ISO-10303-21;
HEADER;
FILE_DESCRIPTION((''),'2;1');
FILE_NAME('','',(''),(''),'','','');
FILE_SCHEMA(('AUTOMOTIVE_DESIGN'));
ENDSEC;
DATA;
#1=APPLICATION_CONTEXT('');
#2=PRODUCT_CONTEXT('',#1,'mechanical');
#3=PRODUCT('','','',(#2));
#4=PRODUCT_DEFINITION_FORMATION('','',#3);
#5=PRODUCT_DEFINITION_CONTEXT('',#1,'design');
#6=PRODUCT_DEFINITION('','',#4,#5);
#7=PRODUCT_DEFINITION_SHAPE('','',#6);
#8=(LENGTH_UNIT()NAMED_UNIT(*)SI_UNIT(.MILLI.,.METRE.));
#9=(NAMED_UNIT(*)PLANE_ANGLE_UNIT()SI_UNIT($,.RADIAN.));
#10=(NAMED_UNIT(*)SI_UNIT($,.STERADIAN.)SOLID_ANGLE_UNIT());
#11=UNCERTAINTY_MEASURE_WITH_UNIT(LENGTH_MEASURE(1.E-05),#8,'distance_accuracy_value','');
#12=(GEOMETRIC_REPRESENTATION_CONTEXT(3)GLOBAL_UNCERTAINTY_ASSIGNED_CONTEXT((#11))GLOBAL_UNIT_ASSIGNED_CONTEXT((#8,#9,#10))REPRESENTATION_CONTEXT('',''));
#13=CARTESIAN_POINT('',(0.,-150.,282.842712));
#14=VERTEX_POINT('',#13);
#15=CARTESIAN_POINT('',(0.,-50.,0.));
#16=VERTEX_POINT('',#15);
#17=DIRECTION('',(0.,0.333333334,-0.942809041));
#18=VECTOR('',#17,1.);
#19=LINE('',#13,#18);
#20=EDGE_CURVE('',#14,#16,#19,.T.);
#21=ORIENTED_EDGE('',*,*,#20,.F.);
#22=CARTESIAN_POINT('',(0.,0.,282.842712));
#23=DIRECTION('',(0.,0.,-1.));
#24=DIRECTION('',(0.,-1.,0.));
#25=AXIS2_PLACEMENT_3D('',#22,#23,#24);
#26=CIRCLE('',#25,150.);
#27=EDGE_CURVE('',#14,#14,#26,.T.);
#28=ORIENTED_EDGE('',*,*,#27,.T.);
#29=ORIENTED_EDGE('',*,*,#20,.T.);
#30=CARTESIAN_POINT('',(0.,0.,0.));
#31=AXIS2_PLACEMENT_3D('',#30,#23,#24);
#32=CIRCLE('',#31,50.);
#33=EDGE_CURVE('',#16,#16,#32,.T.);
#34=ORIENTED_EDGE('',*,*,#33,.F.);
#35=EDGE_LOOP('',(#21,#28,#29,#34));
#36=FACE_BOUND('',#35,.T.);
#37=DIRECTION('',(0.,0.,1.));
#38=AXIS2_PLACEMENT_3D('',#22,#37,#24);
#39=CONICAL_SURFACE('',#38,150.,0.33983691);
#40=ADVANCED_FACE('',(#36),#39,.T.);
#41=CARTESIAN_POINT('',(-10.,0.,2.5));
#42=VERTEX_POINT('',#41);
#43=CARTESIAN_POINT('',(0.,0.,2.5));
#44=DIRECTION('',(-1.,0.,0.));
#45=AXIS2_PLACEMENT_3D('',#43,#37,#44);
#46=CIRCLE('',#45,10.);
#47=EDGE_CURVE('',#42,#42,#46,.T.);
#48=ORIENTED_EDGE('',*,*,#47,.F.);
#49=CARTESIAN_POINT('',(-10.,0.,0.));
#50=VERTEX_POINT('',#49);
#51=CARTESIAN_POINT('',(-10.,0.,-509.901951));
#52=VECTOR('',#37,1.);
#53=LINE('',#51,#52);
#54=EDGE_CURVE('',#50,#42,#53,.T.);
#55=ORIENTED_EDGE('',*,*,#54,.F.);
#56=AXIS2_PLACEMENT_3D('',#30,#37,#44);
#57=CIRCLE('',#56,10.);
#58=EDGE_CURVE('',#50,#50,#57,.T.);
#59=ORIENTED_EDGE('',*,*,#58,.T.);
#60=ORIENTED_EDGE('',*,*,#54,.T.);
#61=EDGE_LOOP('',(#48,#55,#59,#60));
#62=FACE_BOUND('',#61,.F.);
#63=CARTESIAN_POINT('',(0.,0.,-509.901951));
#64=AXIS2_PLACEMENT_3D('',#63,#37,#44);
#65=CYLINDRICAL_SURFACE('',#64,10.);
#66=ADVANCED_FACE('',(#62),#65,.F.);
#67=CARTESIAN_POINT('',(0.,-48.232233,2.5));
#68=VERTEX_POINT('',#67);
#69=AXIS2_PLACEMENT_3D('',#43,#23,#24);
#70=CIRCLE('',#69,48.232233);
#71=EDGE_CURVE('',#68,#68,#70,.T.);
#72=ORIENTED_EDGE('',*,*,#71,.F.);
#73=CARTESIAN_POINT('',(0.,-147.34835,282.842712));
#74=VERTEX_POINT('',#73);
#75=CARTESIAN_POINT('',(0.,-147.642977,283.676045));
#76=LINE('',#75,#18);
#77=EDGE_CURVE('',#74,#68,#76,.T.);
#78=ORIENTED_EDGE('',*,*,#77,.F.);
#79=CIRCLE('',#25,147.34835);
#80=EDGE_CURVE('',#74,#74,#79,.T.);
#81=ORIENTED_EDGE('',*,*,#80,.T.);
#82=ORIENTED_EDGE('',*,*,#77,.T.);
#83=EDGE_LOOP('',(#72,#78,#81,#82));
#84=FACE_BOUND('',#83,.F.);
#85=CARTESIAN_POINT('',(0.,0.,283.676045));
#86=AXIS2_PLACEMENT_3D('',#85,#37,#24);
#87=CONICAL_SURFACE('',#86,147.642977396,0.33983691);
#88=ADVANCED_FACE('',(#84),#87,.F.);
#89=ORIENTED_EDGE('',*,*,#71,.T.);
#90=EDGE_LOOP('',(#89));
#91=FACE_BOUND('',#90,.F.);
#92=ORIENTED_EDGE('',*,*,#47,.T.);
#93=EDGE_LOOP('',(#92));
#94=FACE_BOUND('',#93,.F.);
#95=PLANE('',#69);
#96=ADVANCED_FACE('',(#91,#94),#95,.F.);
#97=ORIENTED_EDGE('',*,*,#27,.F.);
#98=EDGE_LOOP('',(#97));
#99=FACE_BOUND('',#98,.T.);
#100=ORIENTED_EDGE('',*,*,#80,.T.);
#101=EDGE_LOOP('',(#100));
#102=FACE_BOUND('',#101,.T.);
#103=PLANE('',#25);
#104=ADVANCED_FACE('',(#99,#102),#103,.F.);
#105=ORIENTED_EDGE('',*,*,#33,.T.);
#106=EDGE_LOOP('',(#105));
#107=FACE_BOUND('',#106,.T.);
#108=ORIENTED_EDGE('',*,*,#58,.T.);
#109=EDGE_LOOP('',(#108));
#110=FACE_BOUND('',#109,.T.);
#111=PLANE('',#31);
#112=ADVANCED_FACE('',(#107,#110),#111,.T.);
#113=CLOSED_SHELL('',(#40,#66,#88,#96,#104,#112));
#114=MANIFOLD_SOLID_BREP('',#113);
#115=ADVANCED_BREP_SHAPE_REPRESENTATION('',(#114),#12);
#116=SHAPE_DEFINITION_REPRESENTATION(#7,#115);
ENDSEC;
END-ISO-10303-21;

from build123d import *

# Parameters (mm, degrees)
F2_T = -2.5
F4_D = 20


with BuildPart() as f1:
    # F0 (on Right) → F1 (revolve)
    with BuildSketch(Plane.YZ):
        Polygon((-50, 0), (0, 0), (0, 282.842712), (-150, 282.842712), align=None)
    revolve(axis=Axis((0, 0, 141.421356), (0, 0, -1)))

    # F2
    f2_openings = [f1.faces().sort_by_distance(p)[0] for p in [
        (0, 0, 282.842712),
    ]]
    offset(amount=F2_T, openings=f2_openings)

    # F4 (through all)
    with Locations(Plane(origin=(0, 0, 0), x_dir=(1, 0, 0), z_dir=(0, 0, -1))):
        with Locations((0, 0)):
            Hole(F4_D / 2)


solid = f1.part
